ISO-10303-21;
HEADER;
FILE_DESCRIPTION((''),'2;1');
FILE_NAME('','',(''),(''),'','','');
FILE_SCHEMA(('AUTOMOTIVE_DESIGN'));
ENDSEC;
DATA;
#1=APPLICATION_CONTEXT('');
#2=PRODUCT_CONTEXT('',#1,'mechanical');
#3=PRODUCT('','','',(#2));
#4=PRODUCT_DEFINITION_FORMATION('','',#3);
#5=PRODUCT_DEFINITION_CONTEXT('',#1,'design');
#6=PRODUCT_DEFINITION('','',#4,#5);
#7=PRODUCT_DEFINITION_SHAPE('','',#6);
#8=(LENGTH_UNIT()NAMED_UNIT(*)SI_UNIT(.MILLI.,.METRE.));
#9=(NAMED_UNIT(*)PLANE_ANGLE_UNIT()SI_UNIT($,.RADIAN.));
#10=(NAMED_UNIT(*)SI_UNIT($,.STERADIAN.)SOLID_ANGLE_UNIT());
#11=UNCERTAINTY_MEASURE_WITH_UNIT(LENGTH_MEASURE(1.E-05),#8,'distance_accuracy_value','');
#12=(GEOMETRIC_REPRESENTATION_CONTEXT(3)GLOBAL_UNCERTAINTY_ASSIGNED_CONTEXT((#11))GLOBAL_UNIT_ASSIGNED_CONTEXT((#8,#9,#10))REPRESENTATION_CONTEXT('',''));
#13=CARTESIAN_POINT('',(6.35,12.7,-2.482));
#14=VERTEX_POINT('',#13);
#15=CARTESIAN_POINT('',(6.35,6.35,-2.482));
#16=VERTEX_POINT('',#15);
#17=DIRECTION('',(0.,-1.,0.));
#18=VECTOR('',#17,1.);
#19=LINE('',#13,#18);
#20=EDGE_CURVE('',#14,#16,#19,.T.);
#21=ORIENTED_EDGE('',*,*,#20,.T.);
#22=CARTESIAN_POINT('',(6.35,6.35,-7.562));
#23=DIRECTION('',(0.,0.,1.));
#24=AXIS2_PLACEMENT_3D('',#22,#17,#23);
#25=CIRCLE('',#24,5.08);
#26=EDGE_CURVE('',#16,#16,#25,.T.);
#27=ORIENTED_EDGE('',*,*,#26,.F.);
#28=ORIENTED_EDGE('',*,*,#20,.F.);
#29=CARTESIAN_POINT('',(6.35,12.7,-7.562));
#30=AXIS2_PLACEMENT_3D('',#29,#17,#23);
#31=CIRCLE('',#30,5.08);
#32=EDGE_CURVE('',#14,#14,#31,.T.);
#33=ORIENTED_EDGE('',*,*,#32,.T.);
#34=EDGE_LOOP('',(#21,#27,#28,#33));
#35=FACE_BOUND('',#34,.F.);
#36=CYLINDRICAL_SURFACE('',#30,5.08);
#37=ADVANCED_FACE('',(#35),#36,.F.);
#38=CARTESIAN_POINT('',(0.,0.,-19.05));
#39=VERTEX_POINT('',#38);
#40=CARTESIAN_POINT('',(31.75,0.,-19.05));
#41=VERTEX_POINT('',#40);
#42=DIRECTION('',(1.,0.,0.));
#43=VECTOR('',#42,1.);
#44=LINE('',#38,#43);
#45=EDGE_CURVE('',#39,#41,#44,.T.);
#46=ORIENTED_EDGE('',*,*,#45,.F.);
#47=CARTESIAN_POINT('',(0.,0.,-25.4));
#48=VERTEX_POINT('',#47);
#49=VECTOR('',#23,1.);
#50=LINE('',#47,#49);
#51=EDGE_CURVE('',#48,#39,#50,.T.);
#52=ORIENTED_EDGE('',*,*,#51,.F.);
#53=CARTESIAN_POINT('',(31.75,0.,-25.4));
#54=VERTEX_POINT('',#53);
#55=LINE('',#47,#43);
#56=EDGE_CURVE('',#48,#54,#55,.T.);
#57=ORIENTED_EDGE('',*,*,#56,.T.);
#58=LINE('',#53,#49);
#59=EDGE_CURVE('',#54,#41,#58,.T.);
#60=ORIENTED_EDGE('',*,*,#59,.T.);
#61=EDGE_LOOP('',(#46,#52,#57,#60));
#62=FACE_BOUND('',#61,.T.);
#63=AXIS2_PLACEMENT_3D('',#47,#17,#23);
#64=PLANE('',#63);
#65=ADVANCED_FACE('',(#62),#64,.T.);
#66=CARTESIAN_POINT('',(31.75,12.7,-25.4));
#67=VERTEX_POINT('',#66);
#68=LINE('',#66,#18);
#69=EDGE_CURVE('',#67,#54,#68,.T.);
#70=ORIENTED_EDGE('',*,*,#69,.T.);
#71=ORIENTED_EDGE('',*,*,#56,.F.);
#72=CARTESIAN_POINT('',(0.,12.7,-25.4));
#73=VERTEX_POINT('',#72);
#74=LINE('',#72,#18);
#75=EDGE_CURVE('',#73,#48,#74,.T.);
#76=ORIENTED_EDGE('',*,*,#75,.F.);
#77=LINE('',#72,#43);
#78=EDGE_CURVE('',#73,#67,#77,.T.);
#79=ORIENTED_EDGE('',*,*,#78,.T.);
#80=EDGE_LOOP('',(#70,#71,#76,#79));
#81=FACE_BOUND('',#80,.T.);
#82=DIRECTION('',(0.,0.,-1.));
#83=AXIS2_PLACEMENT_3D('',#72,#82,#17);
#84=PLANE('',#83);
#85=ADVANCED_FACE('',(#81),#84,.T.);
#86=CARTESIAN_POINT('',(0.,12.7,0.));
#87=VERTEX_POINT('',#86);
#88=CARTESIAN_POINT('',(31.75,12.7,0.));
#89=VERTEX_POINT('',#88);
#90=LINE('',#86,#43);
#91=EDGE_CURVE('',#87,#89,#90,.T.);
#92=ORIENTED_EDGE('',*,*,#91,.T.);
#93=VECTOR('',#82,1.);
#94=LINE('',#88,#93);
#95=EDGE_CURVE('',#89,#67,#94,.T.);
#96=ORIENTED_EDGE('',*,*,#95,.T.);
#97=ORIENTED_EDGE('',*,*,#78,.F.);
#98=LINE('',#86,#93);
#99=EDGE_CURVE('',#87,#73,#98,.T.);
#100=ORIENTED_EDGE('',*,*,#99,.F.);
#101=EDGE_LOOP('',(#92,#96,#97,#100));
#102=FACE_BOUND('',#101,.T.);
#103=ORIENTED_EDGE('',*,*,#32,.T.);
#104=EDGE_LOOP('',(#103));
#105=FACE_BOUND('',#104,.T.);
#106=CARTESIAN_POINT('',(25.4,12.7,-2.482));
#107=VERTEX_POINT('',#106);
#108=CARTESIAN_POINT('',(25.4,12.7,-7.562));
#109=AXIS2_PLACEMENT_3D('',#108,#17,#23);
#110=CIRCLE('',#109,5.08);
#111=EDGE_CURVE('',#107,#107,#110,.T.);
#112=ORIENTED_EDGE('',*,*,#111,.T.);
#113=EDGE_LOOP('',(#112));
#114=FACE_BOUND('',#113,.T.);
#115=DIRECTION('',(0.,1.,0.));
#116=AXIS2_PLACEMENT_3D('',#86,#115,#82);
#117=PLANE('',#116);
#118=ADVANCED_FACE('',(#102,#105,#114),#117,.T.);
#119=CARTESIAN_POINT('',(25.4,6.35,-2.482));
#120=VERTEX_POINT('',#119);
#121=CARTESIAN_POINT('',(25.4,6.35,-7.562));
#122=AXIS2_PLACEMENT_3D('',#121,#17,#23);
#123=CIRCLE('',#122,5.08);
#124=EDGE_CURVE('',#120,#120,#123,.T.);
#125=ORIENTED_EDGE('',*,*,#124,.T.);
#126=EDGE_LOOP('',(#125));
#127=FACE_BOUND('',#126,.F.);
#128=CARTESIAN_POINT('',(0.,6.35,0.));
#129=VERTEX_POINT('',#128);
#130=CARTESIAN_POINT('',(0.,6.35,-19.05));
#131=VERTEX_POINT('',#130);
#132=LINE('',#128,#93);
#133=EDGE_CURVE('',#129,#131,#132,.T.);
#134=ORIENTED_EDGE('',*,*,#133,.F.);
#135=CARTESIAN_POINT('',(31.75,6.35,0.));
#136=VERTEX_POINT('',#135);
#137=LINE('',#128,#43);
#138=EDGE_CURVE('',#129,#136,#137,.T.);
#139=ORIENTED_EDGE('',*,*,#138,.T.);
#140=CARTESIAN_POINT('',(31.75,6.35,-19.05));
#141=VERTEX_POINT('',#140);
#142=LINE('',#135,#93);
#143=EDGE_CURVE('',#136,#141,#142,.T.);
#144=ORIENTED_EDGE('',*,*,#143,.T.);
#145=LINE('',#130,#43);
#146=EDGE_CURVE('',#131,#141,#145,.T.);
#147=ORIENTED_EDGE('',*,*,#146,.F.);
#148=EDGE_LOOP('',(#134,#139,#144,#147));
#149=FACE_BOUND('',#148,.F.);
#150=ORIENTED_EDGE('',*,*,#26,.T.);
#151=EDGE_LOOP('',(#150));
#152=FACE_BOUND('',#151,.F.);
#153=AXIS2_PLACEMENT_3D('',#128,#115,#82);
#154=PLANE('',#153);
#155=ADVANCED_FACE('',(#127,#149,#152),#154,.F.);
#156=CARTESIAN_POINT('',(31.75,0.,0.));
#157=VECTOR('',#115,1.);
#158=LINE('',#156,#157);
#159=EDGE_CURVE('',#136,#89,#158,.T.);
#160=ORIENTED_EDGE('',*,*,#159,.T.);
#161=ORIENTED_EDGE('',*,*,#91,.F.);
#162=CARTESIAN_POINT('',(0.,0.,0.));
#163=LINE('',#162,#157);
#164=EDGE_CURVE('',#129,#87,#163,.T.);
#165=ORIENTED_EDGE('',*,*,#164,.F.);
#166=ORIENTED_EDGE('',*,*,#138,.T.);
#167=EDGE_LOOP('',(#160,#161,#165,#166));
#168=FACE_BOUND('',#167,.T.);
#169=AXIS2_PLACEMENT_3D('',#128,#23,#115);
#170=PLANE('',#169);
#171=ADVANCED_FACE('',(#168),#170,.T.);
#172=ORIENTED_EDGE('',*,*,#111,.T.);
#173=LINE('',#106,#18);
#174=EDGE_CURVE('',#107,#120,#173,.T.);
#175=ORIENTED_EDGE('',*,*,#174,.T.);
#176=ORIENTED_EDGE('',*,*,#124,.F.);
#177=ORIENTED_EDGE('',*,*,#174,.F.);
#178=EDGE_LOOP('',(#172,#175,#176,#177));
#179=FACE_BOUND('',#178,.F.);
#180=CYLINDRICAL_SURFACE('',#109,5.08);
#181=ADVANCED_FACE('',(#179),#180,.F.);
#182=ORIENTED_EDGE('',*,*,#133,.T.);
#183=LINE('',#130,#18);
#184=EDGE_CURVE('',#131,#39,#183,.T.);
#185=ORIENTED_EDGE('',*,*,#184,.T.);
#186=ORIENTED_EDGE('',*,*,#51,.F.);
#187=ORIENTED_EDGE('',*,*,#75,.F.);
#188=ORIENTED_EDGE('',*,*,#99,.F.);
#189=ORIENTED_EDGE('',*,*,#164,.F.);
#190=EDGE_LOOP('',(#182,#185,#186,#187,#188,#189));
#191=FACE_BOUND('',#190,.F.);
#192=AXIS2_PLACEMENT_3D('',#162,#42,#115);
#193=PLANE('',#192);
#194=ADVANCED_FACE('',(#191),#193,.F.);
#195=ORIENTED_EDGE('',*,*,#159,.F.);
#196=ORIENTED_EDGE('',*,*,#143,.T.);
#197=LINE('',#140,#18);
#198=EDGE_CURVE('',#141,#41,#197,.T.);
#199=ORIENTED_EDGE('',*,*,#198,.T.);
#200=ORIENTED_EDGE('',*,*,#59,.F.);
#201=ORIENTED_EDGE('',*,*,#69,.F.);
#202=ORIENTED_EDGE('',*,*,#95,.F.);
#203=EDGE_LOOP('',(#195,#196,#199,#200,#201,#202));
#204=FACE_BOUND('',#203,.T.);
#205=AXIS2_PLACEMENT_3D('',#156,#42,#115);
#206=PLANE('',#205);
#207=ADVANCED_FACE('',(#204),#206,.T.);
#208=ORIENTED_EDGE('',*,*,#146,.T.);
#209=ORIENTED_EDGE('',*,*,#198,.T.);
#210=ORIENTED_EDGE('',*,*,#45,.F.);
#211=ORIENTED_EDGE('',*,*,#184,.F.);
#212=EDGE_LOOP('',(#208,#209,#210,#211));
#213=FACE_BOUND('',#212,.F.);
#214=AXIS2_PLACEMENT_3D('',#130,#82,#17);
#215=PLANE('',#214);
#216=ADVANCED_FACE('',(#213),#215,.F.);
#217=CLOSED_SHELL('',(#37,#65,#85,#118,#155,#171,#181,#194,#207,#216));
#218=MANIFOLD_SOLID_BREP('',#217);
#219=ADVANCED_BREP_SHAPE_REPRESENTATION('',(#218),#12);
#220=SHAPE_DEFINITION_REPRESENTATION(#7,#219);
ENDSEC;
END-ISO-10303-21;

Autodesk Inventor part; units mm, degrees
ref_plane "YZ Plane" through (0, 0, 0) normal (1, 0, 0) x (0, 1, 0)
ref_plane "XZ Plane" through (0, 0, 0) normal (0, 1, 0) x (-1, 0, 0)
ref_plane "XY Plane" through (0, 0, 0) normal (0, 0, 1) x (1, 0, 0)
sketch "Sketch1" plane through (0, 0, 0) normal (1, 0, 0) x (0, 1, 0)
  line L0 (0, 0) -> (12.7, 0)
  line L1 (12.7, 0) -> (12.7, -25.4)
  line L2 (12.7, -25.4) -> (0, -25.4)
  line L3 (0, -25.4) -> (0, 0)
  line L4 (0, 0) -> (6.35, 0)
  line L5 (6.35, 0) -> (6.35, -19.05)
  line L6 (6.35, -19.05) -> (0, -19.05)
  line L7 (0, -19.05) -> (0, 0)
  dimension "d0" = 12.7
  dimension "d1" = 25.4
  dimension "d2" = 6.35
  dimension "d3" = 6.35
extrude "Extrusion1" add sketch "Sketch1" along normal blind 31.75 contours L0 L1 L2 L3 L6 L5
sketch "Sketch2" plane through (0, 12.7, 0) normal (0, 1, 0) x (1, 0, 0)
  line L0 (0, 25.4) -> (0, 0) projected
  line L1 (0, 0) -> (31.75, 0) projected
  line L2 (31.75, 25.4) -> (31.75, 0) projected
  line L3 (0, 25.4) -> (31.75, 25.4) projected
  point P0 (6.35, 7.562)
  point P1 (25.4, 7.562)
  dimension "d6" = 31.75
  dimension "d7" = 6.35
  dimension "d8" = 6.35
hole "Hole1" at (6.35, 12.7, -7.562) at (25.4, 12.7, -7.562) direction (0, -1, 0) diameter 10.16 depth 22.9362 tip angle 118
equation "\"d8\" = d7"
properties part number "TensionerPlate4"
